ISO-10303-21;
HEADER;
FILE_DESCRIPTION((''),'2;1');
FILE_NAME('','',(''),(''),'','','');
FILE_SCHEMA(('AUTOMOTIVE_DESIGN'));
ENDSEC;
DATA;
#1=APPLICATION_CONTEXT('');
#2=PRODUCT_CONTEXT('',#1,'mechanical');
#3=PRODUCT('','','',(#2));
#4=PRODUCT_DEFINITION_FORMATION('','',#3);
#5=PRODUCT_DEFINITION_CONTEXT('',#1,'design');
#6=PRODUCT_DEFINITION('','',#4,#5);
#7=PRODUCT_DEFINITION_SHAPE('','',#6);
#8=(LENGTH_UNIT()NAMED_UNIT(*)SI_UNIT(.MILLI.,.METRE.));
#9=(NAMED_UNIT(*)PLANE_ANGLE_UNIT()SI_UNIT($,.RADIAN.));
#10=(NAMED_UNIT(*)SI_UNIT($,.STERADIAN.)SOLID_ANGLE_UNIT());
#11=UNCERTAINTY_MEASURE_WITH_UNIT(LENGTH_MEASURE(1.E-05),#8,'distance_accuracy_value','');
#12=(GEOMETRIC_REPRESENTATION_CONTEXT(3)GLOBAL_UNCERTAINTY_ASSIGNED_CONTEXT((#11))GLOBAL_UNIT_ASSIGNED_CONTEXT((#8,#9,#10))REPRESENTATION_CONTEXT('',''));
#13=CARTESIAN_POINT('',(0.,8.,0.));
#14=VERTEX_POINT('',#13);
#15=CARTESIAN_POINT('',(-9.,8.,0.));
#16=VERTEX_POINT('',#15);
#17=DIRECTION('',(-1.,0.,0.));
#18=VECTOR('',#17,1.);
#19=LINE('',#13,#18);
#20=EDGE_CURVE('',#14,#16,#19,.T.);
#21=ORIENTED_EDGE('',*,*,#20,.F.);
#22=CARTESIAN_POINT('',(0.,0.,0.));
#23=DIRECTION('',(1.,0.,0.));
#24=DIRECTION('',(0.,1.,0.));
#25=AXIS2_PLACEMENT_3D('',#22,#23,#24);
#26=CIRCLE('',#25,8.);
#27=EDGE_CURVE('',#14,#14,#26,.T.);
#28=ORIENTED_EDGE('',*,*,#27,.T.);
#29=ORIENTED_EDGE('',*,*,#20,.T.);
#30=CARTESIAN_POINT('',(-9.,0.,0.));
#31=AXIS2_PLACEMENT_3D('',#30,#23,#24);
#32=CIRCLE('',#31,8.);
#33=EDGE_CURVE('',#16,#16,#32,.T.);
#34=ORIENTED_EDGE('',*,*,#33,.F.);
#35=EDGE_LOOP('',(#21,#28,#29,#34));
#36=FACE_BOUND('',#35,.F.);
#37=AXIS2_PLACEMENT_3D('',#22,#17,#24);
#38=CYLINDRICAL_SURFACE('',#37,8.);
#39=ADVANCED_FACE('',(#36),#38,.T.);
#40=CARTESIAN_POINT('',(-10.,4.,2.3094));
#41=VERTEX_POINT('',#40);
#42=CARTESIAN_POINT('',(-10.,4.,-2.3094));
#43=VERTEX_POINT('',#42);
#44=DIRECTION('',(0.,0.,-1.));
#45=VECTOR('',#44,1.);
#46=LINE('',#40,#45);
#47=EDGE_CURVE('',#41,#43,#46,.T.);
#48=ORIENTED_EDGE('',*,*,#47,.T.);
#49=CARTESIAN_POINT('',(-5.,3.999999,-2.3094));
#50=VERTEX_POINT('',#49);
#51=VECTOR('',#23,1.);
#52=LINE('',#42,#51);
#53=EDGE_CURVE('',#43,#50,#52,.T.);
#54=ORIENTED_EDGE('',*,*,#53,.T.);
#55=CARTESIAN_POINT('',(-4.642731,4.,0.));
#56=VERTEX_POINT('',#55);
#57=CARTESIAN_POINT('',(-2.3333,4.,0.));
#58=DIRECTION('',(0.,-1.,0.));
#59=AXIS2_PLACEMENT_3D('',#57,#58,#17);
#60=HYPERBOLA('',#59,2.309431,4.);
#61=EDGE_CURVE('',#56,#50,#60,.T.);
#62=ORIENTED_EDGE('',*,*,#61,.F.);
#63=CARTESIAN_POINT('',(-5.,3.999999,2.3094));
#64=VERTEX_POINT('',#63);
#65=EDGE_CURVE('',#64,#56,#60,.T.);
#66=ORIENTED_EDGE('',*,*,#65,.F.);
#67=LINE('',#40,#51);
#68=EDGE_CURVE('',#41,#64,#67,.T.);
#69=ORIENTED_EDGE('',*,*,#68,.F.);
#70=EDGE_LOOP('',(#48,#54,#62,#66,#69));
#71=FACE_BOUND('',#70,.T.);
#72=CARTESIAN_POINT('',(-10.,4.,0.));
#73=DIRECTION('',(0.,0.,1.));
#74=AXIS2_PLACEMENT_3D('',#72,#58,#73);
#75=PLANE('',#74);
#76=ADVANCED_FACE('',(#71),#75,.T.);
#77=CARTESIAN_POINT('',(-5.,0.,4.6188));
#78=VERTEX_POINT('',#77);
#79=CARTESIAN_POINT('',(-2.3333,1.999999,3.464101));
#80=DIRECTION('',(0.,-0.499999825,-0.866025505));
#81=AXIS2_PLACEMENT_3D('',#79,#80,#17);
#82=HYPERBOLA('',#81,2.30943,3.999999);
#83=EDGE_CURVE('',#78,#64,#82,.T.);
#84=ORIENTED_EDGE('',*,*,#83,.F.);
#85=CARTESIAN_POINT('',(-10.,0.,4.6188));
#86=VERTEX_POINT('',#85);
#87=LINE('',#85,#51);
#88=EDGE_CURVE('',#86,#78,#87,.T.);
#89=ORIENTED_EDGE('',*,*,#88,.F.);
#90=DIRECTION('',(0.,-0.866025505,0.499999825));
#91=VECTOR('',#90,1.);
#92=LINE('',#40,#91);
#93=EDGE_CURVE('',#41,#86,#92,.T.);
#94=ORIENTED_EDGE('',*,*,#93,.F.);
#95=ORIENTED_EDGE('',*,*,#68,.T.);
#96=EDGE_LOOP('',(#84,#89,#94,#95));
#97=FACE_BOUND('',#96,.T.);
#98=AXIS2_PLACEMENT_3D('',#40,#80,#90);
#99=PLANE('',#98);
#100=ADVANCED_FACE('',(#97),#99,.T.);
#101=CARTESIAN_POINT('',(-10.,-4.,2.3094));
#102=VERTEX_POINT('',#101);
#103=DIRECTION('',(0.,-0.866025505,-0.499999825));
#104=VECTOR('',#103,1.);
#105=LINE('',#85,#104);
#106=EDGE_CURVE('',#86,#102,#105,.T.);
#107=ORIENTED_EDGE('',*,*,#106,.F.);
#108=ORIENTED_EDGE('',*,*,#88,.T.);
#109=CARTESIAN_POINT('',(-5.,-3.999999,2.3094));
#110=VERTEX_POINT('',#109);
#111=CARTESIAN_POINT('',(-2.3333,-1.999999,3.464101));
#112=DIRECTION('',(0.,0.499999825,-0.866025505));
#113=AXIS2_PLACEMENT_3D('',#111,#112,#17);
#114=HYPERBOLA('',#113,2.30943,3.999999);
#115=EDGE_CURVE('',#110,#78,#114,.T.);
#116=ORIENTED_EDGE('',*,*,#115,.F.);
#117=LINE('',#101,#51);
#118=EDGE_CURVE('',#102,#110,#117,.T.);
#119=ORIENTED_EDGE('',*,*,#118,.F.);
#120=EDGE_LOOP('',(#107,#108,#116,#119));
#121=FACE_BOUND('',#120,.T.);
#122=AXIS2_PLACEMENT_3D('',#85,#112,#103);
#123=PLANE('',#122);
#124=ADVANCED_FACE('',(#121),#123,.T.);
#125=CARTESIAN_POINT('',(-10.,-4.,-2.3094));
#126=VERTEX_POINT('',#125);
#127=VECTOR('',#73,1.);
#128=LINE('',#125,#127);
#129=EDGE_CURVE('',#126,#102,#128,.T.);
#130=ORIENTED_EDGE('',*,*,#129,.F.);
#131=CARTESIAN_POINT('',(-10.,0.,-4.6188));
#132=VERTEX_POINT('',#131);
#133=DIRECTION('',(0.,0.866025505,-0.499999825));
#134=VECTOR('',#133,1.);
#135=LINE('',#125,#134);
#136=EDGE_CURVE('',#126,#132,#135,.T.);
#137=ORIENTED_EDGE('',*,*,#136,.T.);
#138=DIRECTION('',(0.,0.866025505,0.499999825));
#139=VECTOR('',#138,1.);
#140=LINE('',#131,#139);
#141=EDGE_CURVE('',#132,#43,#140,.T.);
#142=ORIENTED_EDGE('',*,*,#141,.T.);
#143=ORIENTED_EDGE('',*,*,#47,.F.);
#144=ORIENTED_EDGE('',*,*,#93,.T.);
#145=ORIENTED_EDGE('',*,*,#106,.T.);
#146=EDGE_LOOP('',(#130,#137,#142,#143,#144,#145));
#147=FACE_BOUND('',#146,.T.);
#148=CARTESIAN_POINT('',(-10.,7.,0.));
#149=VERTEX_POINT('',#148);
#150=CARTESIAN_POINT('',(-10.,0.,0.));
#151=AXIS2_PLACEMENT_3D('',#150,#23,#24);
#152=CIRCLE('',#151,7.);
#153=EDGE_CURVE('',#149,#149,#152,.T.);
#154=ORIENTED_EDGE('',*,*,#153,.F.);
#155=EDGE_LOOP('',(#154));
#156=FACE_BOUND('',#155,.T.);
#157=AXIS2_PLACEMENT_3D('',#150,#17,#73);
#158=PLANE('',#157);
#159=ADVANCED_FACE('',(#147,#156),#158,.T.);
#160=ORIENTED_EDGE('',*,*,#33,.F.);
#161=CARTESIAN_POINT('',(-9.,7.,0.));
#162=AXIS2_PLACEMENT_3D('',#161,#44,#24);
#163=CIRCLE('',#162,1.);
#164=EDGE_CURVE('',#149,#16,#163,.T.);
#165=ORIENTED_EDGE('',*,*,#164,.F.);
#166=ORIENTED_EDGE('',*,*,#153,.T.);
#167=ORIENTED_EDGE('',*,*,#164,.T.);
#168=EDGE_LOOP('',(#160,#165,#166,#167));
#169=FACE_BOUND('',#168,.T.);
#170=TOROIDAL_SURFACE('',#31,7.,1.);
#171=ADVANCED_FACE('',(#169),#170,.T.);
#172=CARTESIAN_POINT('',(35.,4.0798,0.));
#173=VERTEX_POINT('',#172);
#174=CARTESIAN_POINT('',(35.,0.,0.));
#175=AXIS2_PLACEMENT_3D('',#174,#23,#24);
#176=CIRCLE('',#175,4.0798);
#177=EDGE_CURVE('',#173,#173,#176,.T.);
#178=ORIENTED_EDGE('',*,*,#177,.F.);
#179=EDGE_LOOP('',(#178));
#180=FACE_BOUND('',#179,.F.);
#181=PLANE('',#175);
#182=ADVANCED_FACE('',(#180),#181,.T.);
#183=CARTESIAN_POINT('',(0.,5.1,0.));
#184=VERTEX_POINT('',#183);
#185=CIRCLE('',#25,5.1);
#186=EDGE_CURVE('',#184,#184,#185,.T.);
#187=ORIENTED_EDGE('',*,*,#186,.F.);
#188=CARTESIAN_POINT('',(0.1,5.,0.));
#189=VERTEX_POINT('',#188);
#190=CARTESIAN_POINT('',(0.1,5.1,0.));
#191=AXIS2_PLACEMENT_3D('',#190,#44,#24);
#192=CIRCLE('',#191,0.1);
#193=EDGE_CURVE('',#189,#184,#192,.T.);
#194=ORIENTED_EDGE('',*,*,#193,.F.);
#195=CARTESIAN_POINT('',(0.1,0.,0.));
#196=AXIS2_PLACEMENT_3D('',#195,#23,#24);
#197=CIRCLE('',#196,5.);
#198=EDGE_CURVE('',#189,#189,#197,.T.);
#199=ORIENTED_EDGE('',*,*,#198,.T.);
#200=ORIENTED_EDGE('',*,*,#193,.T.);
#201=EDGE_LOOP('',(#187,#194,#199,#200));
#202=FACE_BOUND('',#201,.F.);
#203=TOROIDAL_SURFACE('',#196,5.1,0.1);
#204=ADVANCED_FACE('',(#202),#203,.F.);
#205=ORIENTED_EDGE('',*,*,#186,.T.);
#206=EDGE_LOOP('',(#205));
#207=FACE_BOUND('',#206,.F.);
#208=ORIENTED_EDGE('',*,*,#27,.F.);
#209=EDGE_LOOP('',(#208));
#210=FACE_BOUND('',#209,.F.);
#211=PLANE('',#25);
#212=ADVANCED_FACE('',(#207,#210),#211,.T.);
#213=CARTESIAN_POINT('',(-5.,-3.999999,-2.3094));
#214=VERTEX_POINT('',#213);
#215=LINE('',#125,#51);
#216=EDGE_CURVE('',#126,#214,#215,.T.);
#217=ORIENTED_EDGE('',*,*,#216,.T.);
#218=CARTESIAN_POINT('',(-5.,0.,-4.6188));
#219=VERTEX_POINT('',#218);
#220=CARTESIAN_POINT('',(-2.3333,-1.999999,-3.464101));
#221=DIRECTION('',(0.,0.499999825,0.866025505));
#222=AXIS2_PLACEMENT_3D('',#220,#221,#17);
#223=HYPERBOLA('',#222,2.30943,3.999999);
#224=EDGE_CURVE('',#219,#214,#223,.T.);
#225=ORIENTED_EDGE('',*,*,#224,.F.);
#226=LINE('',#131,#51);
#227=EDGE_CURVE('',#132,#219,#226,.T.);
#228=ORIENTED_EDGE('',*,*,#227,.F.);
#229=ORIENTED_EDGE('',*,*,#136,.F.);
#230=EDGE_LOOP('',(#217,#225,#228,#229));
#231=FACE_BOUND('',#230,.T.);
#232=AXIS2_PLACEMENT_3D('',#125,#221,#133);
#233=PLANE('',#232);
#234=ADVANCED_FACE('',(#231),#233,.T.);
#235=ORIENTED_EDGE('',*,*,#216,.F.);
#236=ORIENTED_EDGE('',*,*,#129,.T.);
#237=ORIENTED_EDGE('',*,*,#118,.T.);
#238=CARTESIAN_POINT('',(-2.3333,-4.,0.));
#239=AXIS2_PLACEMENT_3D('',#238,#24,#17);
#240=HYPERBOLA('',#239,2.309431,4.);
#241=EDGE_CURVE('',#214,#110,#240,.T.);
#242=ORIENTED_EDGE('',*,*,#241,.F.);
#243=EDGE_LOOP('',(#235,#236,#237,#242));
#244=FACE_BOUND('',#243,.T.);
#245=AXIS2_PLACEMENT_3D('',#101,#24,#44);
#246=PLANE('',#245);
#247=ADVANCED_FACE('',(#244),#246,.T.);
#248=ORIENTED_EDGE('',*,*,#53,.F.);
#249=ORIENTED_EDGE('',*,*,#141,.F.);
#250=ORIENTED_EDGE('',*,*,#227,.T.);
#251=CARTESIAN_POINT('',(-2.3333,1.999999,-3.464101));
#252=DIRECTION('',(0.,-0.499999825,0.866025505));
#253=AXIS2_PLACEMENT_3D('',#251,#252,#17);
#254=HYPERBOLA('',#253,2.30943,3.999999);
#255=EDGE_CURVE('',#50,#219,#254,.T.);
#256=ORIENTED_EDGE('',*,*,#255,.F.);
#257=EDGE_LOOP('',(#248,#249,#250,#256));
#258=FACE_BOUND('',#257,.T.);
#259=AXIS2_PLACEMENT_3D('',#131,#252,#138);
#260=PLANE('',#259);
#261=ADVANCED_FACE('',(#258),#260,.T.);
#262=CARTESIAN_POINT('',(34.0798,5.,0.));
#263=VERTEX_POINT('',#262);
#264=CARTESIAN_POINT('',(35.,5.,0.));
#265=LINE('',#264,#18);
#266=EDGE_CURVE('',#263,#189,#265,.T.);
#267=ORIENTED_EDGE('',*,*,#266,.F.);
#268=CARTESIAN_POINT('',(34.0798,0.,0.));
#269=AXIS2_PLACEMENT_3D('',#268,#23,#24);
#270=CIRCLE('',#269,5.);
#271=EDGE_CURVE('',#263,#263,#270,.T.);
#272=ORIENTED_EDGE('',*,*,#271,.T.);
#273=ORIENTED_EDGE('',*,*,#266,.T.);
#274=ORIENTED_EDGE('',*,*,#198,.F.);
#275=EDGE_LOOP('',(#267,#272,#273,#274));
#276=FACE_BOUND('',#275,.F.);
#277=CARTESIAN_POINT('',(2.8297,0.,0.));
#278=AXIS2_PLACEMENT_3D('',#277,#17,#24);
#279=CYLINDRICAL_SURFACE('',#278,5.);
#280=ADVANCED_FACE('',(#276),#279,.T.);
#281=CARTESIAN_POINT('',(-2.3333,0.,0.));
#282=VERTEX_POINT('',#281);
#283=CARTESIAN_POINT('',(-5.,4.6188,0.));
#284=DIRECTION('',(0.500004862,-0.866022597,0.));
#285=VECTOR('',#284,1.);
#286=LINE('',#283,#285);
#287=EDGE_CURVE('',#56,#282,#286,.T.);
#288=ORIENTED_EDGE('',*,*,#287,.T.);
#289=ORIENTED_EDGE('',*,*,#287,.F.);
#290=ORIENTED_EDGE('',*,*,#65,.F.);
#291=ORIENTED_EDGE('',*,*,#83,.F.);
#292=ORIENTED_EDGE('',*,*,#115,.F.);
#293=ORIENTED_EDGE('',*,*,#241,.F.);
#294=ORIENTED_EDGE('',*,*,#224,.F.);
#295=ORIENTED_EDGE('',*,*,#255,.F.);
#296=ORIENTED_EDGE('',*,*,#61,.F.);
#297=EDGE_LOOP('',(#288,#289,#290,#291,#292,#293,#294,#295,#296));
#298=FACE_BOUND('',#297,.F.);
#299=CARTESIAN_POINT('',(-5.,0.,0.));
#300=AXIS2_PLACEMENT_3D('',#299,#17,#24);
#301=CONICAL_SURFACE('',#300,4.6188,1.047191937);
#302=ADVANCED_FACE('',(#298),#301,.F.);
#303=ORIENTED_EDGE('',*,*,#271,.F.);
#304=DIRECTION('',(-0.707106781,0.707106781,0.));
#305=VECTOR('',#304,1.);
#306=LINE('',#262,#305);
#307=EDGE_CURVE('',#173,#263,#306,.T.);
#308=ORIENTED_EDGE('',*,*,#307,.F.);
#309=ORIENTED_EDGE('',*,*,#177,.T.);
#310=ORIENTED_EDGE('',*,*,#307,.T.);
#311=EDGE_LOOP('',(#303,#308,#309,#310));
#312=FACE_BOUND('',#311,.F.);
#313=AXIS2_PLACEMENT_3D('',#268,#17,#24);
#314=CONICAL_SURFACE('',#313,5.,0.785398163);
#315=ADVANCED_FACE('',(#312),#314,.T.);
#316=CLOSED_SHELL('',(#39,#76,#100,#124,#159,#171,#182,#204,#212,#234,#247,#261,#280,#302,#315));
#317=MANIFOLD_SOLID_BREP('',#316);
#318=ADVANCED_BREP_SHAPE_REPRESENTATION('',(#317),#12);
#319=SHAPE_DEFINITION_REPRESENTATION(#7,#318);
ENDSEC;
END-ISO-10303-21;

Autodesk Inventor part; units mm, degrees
ref_plane "YZ Plane" through (0, 0, 0) normal (1, 0, 0) x (0, 1, 0)
ref_plane "XZ Plane" through (0, 0, 0) normal (0, 1, 0) x (-1, 0, 0)
sketch "Sketch1" plane through (0, 0, 0) normal (0, 0, 1) x (1, 0, 0)
  line L0 (-2.3333, 0) -> (35, 0)
  line L1 (35, 0) -> (35, 5)
  line L2 (35, 5) -> (3.75, 5)
  line L3 (3.75, 5) -> (2.8297, 5)
  line L4 (2.8297, 5) -> (0, 5)
  line L5 (0, 5) -> (0, 8)
  line L6 (0, 8) -> (-10, 8)
  line L7 (-10, 8) -> (-10, 4.6188)
  line L8 (-10, 4.6188) -> (-5, 4.6188)
  line L9 (-5, 4.6188) -> (-2.3333, 0)
  line L10 (-19, 0) -> (44, 0) projected
  line L11 (0, -1.6) -> (0, 9.6) projected
  line L12 (3.75, 5) -> (0, 5) construction
  dimension "d1" = 31.25
  dimension "d2" = 0.9203
  dimension "d3" = 10
  dimension "d4" = 5
  dimension "d5" = 60
  dimension "d6" = 10
  dimension "d7" = 10
  dimension "d8" = 9.2376
  dimension "d9" = 16
  dimension "d26" = 35
revolve "Body" add sketch "Sketch1" angle 360 about axis through (-2.3333, 0, 0) along (1, 0, 0)
sketch "Sketch2" plane through (-10, 0, 0) normal (-1, 0, 0) x (0, 0, 1)
  circle A0 centre (0, 0) radius 4.6188 projected
  line L0 (0, -11.2) -> (0, 11.2) projected
  line L1 (-11.2, 0) -> (11.2, 0) projected
  line L2 (4.6188, 0) -> (2.3094, -4)
  line L3 (2.3094, -4) -> (-2.3094, -4)
  line L4 (-2.3094, -4) -> (-4.6188, 0)
  line L5 (-4.6188, 0) -> (-2.3094, 4)
  line L6 (-2.3094, 4) -> (2.3094, 4)
  line L7 (2.3094, 4) -> (4.6188, 0)
extrude "Slot" add sketch "Sketch2" against normal up to next contours L7 A0 | A0 L2 | L6 L0 A0 | A0 L0 L3 | L0 L6 A0 | A0 L3 L0 | L4 A0 | A0 L5
fillet "Fillet1" radius 1 1 edges at (-10, -8, 0)
thread "Thread" size "M10x1.5" class "6g" standard "ISO Metric profile" length 31.25
chamfer "Chamfer1" distance 0.9202 distance2 0.9202 1 edges at (35, -5, 0) measured on face at (35, 1.974, -0.2121)
ref_plane "Work Plane1" through (29, 0, 0) normal (0, -1, 0) x (1, 0, 0)
fillet "Fillet2" radius 0.1 1 edges at (0, -5, 0)
equation "\"d1\" = GEL"
equation "\"d3\" = KOH"
equation "\"d4\" = INTI"
equation "\"d6\" = GD"
equation "\"d7\" = BDM"
equation "\"d8\" = 1.1547 * SW"
equation "\"d9\" = KOD"
equation "\"d26\" = NLG"
equation "\"d30\" = R"
equation "\"d17\" = RR"
equation "\"d13\" = GEL"
equation "\"d15\" = -0.5 * SPD + 0.5 * GD"
equation "\"d16\" = GUL"
equation "\"GD\" = NND"
equation "\"NLG\" = 35"
equation "\"GEL\" = 31.25"
equation "\"KOD\" = 16"
equation "\"KOH\" = NND"
equation "\"INTI\" = 5"
equation "\"GAL\" = 0.61345 * PTC"
equation "\"GUL\" = 0.61345 * PTC"
equation "\"BDM\" = NND"
equation "\"SW\" = 8"
equation "\"RR\" = 0.1 * NND"
equation "\"SPD\" = NND - 1.2269 * PTC"
equation "\"R\" = 0.1"
equation "\"TOA\" = 30deg"
equation "\"GD1\" = THREADDIA - 1.2269 * PTC"
equation "\"FAWI\" = 45deg"
equation "\"PTC\" = 1.5"
equation "\"E0\" = 1.155 * SW"
equation "\"NND\" = 10"
equation "\"THREADDIA\" = 10"
properties part number "M10x45 SHCS A2" material "Stainless Steel AISI 304"
